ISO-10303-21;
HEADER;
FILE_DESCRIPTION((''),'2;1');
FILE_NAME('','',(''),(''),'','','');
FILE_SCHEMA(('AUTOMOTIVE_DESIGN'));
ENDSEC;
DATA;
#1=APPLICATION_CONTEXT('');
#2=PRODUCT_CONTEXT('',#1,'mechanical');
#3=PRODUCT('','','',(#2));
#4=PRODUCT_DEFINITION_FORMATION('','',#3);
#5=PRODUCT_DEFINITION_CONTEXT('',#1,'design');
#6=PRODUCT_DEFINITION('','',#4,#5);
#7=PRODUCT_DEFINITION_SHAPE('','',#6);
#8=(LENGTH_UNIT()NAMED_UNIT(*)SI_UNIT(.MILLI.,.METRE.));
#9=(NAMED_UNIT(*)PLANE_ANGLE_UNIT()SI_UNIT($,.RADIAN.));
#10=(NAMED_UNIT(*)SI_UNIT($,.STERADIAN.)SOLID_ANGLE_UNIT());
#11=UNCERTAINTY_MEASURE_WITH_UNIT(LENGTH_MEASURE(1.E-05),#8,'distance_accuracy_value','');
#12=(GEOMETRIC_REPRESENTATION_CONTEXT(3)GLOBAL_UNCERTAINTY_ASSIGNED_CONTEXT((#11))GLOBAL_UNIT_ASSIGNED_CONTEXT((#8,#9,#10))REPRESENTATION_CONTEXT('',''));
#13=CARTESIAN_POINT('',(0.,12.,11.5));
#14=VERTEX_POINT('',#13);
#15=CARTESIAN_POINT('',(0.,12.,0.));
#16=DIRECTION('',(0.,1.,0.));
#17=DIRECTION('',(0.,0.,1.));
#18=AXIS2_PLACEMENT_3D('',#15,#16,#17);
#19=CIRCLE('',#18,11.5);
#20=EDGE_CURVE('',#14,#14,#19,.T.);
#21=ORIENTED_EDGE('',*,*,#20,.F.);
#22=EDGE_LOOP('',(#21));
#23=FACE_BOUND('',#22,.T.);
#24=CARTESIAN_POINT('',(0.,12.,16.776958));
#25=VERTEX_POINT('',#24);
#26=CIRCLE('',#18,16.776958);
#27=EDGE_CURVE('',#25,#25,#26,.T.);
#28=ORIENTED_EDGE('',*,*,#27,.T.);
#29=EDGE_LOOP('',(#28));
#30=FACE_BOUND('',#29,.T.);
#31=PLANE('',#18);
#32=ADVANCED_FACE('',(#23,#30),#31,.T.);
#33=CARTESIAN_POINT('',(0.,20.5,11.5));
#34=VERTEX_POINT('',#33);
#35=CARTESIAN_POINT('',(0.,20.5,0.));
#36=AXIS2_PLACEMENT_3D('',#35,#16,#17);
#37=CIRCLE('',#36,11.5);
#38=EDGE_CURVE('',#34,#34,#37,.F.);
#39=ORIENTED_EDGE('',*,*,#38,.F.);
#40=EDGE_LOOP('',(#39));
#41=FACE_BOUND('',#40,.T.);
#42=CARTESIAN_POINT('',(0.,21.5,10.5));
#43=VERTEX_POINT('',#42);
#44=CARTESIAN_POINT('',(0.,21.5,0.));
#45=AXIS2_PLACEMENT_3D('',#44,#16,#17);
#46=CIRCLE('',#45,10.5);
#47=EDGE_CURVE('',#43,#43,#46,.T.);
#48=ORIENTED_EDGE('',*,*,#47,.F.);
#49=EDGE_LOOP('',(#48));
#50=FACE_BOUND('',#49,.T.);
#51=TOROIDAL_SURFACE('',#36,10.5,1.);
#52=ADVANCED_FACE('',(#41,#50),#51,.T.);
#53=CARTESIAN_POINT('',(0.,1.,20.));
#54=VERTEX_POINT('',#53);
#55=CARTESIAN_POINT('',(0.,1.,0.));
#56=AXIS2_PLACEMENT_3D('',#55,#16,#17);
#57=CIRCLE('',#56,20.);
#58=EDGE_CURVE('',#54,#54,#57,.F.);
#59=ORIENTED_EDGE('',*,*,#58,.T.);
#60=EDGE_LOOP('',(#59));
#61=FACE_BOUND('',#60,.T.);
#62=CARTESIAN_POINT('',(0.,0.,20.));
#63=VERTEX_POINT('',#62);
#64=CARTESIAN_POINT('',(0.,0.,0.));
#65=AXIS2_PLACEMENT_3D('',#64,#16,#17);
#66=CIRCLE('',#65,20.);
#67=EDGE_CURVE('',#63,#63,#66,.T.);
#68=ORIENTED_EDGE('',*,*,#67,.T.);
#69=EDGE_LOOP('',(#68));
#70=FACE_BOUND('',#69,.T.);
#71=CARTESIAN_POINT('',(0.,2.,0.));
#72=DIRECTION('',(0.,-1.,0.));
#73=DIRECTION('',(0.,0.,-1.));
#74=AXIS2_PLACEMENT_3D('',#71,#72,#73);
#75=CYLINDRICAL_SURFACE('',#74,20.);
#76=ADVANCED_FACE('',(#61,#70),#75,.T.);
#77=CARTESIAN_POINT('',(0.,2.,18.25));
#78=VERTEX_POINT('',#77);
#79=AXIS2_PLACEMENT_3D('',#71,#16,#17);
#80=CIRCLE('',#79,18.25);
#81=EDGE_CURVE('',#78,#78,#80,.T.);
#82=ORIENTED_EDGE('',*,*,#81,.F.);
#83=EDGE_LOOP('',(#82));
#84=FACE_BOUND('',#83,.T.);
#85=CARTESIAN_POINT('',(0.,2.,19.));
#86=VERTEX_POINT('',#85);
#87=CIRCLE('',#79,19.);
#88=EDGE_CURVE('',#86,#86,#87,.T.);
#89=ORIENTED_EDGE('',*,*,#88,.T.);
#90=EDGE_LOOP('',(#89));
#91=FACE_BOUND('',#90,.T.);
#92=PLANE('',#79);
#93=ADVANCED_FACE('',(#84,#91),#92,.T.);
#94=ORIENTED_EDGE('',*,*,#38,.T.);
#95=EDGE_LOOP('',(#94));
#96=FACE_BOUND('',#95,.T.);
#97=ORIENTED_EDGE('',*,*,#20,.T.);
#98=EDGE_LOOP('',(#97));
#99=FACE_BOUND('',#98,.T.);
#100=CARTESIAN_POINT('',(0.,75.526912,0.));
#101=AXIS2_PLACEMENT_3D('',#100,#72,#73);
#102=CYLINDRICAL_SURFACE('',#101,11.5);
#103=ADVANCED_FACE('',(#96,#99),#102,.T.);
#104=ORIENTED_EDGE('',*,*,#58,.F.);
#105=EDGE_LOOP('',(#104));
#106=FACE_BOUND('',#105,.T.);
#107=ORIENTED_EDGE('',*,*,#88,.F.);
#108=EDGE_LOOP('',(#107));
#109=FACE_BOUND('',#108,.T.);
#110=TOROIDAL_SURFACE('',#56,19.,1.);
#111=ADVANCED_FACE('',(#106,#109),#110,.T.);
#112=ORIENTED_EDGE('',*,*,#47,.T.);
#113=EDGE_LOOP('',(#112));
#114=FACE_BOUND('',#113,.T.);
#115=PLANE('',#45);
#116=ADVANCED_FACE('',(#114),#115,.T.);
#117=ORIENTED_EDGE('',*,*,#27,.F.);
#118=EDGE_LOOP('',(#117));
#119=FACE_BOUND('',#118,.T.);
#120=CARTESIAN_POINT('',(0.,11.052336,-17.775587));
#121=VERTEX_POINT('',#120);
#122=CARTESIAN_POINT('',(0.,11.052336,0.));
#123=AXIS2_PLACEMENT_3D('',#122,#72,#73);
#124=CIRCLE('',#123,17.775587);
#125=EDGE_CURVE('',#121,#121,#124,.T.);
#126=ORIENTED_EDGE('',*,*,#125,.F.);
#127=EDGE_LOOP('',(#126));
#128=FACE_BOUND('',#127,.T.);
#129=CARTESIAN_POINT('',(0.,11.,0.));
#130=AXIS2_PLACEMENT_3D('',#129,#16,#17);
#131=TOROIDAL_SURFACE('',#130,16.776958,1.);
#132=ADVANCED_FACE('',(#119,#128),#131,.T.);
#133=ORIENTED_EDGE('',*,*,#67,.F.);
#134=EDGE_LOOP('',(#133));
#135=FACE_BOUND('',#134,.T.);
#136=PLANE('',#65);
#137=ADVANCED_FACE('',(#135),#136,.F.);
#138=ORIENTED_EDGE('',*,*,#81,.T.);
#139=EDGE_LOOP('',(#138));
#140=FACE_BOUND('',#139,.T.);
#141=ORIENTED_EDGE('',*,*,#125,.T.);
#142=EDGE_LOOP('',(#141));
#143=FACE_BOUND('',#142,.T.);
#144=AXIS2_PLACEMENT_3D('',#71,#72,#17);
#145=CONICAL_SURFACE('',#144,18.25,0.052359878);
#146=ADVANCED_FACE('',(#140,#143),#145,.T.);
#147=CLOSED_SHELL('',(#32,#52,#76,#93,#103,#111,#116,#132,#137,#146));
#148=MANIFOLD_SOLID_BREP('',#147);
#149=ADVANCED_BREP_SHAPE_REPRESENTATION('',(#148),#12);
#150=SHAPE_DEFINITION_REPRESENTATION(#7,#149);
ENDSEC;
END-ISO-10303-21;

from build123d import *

# Parameters (mm, degrees)
SKETCH1_R           = 20
BOSS_EXTRUDE1_DEPTH = 2
SKETCH2_R           = 18.25
BOSS_EXTRUDE2_DEPTH = 10
BOSS_EXTRUDE2_TAPER = 3
SKETCH3_R           = 11.5
BOSS_EXTRUDE3_DEPTH = 9.5
FILLET1_R           = 1


with BuildPart() as part:
    # Sketch1 → Boss-Extrude1 (new body)
    with BuildSketch(Plane(origin=(0, 0, 0), x_dir=(1, 0, 0), z_dir=(0, 1, 0))):
        with Locations(Location((0, 0, 0), (0, 0, 270))):
            Circle(SKETCH1_R)
    extrude(amount=BOSS_EXTRUDE1_DEPTH)

    # Sketch2 → Boss-Extrude2 (add)
    with BuildSketch(Plane(origin=(0, 2, 0), x_dir=(1, 0, 0), z_dir=(0, 1, 0))):
        Circle(SKETCH2_R)
    extrude(amount=BOSS_EXTRUDE2_DEPTH, taper=BOSS_EXTRUDE2_TAPER)

    # Sketch3 → Boss-Extrude3 (add)
    with BuildSketch(Plane(origin=(0, 12, 0), x_dir=(1, 0, 0), z_dir=(0, 1, 0))):
        with Locations(Location((0, 0, 0), (0, 0, 270))):
            Circle(SKETCH3_R)
    extrude(amount=BOSS_EXTRUDE3_DEPTH)

    # Fillet1
    fillet1_edges = [part.edges().sort_by_distance(p)[0] for p in [
        (0, 21.5, -11.5),
        (0, 2, -20),
        (-17.725922207, 12, 0),
    ]]
    fillet(fillet1_edges, radius=FILLET1_R)


solid = part.part
